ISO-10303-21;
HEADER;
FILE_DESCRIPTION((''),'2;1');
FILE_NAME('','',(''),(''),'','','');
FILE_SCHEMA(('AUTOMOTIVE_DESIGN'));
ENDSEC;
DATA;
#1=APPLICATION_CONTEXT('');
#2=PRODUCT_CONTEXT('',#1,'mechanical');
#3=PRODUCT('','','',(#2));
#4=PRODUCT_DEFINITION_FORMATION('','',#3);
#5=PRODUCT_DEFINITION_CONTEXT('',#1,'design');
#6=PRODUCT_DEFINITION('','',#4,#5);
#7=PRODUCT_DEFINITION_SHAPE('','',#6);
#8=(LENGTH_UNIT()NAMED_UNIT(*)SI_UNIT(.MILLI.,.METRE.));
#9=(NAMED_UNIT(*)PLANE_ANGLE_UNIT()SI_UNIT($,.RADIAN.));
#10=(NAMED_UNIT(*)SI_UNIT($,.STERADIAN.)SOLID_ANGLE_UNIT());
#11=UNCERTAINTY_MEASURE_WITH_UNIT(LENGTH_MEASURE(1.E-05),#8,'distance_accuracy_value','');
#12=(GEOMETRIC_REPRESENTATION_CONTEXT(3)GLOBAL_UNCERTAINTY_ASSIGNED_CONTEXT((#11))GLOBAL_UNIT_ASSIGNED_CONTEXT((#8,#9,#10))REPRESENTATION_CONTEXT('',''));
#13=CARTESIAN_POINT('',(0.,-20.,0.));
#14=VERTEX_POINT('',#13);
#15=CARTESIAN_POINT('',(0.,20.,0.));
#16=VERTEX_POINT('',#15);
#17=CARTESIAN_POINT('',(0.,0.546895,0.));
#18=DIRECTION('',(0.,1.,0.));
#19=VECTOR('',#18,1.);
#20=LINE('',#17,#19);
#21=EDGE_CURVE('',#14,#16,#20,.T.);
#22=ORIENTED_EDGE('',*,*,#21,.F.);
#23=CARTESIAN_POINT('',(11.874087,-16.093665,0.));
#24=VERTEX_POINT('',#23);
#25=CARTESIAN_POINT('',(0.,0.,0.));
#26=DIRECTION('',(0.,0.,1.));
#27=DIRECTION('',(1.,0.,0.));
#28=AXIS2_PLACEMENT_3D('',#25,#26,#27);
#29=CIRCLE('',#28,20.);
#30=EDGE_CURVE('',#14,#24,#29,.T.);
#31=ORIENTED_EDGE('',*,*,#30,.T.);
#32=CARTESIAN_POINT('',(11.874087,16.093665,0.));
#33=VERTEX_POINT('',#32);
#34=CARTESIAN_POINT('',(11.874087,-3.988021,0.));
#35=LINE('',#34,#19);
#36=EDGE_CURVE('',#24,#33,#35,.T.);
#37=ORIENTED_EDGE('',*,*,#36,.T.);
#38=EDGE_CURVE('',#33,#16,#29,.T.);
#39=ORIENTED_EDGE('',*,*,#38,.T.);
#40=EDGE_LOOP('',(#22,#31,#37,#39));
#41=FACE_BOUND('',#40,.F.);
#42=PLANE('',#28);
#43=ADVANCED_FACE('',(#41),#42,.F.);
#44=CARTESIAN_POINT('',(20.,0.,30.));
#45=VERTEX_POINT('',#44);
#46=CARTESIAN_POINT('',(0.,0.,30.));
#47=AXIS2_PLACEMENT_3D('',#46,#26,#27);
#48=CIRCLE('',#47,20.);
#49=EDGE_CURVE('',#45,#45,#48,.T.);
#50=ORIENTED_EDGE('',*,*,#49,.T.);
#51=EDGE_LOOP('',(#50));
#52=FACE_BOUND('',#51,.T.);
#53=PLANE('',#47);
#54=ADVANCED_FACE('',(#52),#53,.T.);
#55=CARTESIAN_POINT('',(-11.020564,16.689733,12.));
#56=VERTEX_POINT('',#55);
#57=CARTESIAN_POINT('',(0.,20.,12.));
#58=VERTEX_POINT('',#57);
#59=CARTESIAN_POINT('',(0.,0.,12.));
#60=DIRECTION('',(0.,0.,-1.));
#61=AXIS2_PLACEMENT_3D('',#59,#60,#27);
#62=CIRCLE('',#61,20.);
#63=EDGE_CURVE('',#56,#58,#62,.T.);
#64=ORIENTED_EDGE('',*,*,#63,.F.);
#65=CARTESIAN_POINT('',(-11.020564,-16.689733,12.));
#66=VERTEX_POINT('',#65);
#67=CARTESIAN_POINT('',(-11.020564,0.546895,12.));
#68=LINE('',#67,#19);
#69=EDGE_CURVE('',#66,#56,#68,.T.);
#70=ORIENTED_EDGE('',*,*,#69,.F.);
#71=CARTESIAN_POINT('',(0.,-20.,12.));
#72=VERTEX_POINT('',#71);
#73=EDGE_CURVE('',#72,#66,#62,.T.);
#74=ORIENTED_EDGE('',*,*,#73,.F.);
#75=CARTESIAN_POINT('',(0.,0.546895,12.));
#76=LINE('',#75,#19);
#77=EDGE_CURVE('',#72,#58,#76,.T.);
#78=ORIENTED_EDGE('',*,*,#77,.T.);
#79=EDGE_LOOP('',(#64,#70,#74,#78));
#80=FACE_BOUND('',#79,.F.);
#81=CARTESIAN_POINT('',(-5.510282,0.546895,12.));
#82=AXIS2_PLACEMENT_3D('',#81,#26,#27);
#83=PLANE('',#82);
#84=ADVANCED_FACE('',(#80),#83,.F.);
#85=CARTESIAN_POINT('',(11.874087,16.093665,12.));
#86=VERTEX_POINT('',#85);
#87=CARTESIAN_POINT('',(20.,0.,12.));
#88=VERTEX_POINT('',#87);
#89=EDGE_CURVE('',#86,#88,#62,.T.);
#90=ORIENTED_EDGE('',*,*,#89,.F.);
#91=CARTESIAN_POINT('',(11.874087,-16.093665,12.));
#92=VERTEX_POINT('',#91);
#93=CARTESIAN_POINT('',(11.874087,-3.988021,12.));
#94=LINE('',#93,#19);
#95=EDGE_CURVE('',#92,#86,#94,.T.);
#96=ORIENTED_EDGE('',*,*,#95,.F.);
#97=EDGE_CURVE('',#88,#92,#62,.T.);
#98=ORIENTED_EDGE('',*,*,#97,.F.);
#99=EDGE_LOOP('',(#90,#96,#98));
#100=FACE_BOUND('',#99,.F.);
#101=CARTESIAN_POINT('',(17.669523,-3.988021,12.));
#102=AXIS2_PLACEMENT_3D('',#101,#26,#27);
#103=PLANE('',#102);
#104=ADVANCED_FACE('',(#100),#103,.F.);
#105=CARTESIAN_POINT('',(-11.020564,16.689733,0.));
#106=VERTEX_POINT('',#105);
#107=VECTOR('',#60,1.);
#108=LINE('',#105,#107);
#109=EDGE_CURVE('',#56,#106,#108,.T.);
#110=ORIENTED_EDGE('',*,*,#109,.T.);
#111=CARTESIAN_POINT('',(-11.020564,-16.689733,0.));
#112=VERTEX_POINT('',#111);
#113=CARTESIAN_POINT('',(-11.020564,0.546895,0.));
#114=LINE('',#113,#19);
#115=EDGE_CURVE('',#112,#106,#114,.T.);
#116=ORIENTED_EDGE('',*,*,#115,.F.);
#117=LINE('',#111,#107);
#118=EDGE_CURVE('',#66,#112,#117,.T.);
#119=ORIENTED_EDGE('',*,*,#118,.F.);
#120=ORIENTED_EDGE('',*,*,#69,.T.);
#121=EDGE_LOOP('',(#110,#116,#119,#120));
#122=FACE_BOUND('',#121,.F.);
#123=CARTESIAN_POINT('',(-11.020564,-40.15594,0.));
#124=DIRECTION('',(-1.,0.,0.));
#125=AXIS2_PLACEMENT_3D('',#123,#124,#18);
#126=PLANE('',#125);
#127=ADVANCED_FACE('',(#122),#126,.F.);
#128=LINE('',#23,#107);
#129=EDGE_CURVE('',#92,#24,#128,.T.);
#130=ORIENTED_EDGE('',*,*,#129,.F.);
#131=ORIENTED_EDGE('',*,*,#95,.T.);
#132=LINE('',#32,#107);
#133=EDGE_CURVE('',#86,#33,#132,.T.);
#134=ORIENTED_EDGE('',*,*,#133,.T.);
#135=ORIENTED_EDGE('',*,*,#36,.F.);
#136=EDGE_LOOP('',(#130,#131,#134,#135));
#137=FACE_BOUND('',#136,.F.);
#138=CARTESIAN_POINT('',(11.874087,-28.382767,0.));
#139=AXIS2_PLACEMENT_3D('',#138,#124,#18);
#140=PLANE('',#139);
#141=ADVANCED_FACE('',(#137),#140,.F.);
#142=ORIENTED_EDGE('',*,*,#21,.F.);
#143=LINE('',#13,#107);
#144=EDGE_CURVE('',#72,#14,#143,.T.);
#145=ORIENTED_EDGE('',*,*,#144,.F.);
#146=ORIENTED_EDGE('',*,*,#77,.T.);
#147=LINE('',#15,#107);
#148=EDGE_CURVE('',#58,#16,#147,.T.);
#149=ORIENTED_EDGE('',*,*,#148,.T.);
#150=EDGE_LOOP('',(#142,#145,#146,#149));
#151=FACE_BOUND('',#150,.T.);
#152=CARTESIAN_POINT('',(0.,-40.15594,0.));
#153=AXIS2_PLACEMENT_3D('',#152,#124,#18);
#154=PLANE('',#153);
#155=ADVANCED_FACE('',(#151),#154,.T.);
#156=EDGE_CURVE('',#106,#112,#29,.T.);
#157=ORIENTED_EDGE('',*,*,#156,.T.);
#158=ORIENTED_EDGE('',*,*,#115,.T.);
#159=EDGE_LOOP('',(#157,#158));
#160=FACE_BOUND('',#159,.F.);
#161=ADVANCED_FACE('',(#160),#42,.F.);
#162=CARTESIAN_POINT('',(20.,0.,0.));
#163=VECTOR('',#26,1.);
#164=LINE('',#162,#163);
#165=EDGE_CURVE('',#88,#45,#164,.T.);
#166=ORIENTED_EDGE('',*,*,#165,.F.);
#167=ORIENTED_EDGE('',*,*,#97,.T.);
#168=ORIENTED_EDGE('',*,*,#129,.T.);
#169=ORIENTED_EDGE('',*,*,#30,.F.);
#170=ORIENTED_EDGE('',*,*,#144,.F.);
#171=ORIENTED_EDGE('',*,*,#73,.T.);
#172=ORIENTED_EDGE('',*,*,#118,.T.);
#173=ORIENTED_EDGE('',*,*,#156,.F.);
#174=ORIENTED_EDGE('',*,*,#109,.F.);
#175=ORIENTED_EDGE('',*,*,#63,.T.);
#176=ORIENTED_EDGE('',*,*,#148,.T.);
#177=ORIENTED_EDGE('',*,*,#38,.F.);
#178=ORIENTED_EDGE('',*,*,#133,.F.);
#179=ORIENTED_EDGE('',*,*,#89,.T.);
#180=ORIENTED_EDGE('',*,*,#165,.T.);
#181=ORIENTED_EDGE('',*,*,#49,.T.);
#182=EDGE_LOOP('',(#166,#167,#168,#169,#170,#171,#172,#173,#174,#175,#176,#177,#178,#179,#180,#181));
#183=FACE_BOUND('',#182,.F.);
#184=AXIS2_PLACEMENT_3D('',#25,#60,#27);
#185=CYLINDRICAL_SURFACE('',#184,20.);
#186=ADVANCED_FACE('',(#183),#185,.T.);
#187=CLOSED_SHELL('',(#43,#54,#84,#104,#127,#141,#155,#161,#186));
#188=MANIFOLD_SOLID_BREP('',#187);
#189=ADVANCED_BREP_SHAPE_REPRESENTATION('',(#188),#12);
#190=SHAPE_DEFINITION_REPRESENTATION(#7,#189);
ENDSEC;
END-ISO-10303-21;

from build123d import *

# Parameters (mm, degrees)
F0_R          = 20
F1_DEPTH      = 30
F2_W          = 11.0205635428
F2_H          = 81.4056694508
F3_DEPTH      = 12
F3_DEPTH_BACK = 12
F4_W          = 11.5908719599
F4_H          = 48.789491877
F5_DEPTH      = 12


with BuildPart() as f1:
    # F0 (on Top) → F1 (new body)
    with BuildSketch(Plane.XY):
        Circle(F0_R)
    extrude(amount=F1_DEPTH)

    # F2 (on Top) → F3 (cut, two sides)
    with BuildSketch(Plane.XY) as f3_sk:
        with Locations((-5.5102817714, 0.5468949676)):
            Rectangle(F2_W, F2_H)
    extrude(amount=-F3_DEPTH, mode=Mode.SUBTRACT)
    extrude(f3_sk.sketch, amount=F3_DEPTH_BACK, mode=Mode.SUBTRACT)

    # F4 (on Top) → F5 (cut)
    with BuildSketch(Plane.XY):
        with Locations((17.6695231348, -3.9880210534)):
            Rectangle(F4_W, F4_H)
    extrude(amount=F5_DEPTH, mode=Mode.SUBTRACT)


solid = f1.part
